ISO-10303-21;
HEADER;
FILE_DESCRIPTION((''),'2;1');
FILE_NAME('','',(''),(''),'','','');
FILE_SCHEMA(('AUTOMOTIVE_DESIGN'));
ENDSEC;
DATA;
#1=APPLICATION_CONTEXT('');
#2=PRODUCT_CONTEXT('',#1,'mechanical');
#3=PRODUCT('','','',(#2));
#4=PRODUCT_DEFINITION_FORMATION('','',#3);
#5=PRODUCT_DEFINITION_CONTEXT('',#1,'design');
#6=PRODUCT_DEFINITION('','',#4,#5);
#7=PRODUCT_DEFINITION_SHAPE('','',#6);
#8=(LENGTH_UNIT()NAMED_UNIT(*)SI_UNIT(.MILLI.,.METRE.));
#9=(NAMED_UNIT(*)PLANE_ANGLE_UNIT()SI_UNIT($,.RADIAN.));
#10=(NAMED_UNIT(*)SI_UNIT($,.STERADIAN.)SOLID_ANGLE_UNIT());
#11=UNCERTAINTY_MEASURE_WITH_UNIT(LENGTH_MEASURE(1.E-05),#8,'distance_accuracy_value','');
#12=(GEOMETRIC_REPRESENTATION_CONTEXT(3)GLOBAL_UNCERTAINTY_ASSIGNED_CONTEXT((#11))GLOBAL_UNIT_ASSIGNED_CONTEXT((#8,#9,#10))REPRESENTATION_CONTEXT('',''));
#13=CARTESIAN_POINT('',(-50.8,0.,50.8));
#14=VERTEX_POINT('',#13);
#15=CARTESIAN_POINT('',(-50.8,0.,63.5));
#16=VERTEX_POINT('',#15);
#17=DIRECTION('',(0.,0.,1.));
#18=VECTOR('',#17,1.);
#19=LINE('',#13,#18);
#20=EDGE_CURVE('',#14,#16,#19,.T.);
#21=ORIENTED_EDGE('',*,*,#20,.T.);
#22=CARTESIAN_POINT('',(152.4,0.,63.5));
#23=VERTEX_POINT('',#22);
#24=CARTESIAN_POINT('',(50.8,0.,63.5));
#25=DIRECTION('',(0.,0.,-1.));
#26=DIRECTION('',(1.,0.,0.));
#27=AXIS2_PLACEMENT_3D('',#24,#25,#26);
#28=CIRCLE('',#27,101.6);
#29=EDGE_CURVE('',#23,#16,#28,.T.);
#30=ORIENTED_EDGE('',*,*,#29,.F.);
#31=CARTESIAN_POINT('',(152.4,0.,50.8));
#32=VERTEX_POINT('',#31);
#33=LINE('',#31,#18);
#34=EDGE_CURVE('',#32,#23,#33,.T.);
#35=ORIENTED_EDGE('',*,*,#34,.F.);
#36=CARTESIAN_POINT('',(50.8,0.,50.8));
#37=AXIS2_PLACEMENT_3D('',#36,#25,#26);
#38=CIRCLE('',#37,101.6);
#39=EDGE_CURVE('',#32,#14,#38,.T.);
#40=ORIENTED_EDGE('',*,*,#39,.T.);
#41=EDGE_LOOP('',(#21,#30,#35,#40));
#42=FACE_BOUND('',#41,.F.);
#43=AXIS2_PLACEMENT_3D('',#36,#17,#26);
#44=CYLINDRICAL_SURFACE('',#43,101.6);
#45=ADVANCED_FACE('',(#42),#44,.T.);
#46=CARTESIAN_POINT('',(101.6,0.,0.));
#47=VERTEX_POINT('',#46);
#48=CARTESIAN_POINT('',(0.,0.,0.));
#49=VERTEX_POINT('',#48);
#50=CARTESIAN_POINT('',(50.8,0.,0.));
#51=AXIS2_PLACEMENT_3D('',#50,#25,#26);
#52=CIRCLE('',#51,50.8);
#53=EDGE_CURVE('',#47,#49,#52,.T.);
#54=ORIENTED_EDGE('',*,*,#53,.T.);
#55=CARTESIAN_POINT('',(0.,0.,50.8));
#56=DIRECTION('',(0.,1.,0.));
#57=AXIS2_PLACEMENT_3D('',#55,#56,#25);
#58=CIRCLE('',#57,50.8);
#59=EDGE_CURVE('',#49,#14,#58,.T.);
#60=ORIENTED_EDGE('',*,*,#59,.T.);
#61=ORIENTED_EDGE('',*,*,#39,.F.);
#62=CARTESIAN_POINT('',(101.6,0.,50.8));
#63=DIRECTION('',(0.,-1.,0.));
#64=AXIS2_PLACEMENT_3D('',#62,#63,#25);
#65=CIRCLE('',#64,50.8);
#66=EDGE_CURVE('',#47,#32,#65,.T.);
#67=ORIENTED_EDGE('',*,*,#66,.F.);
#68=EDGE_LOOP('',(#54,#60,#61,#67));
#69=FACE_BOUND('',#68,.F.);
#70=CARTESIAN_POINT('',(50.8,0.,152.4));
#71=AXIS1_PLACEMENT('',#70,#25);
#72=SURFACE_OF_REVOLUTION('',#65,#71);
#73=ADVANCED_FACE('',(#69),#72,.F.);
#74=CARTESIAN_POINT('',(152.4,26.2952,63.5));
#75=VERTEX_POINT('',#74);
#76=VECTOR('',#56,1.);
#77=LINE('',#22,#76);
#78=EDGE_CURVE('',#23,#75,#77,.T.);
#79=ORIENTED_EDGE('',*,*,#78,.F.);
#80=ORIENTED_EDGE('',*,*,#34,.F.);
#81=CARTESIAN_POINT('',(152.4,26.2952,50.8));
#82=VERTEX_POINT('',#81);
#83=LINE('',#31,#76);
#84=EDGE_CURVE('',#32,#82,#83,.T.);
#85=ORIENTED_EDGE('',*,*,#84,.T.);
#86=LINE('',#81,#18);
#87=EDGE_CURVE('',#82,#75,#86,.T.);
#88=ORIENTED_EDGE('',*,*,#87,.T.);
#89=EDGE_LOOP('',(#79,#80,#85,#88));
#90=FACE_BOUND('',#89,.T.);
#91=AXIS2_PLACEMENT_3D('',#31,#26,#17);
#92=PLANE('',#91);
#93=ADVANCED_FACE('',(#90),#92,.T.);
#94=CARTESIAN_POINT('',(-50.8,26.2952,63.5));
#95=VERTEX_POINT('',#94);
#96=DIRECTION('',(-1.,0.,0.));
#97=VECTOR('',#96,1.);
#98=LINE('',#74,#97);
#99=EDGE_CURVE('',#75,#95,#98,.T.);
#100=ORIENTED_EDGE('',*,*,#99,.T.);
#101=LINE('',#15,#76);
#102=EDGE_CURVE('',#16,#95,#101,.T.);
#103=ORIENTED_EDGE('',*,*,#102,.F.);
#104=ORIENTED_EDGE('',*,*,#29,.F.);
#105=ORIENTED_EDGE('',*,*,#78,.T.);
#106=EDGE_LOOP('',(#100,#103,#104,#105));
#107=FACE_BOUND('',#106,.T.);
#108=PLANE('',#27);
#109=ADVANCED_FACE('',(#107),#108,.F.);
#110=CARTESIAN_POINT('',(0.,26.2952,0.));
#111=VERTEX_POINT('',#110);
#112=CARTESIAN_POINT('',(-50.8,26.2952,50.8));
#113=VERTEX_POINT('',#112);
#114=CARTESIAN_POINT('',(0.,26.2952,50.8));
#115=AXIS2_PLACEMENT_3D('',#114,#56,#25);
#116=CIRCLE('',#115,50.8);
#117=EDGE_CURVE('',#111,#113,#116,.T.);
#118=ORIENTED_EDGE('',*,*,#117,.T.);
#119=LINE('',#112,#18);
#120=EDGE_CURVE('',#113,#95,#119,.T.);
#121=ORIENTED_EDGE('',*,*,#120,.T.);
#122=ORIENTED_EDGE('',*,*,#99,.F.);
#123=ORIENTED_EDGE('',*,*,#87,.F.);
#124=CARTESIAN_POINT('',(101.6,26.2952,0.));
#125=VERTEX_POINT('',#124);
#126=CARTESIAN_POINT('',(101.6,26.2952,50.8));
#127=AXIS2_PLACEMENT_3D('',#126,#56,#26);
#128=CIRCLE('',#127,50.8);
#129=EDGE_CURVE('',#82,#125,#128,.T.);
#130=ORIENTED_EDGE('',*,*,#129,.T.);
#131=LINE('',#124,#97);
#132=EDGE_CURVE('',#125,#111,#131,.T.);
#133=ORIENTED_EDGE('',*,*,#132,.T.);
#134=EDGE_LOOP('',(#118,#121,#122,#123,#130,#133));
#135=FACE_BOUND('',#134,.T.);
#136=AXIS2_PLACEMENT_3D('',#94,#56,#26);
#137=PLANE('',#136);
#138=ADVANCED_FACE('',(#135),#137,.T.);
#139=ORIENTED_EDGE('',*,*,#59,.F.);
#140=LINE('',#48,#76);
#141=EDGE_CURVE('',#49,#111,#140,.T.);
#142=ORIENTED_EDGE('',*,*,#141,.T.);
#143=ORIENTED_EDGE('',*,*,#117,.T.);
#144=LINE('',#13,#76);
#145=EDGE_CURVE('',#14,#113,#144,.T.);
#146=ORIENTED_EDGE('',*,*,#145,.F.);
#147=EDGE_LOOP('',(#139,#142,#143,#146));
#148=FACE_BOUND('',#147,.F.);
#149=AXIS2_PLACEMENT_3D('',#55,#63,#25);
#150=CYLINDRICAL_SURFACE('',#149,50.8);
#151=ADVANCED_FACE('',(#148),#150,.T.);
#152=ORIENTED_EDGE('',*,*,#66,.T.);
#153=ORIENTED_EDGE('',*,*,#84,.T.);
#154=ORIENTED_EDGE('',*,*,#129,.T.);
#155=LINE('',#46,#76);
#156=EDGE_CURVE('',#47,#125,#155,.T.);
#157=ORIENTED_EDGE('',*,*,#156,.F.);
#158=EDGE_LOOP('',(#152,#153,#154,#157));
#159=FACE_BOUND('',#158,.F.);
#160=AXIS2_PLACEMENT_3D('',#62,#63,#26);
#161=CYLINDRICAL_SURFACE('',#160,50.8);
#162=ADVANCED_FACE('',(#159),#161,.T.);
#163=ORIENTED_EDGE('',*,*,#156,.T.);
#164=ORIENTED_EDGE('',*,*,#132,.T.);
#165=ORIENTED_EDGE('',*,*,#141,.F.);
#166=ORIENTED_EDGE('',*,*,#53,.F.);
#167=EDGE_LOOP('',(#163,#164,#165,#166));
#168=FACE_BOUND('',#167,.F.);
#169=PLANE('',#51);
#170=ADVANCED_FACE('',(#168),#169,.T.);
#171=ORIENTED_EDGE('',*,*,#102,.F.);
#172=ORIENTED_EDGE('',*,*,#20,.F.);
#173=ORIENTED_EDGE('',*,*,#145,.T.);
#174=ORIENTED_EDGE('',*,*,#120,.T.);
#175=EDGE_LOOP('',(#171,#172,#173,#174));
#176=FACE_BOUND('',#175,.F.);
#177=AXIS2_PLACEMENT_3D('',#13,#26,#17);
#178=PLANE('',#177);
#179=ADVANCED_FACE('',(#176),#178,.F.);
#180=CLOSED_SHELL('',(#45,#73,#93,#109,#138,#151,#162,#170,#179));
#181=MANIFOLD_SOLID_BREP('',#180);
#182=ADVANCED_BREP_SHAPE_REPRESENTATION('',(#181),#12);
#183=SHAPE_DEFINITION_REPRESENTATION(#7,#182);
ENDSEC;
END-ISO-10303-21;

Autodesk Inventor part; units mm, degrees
ref_plane "YZ Plane" through (0, 0, 0) normal (1, 0, 0) x (0, 1, 0)
ref_plane "Work Plane1" through (152.4, 0, 203.2) normal (0, -1, 0) x (1, 0, 0)
ref_plane "Work Plane2" through (-50.8, 26.2952, 0) normal (0, -1, 0) x (1, 0, 0)
ref_plane "Work Plane4" through (152.4, 0, 101.6) normal (0, -1, 0) x (1, 0, 0)
sketch "Sketch3" plane through (152.4, 0, 101.6) normal (0, -1, 0) x (1, 0, 0)
  arc A0 (0, -25.4) -> (-76.2, 50.8) centre (-76.2, -25.4) ccw
  line L0 (-127, 50.8) -> (-76.2, 50.8)
  arc A1 (0, -25.4) -> (-76.2, 50.8) centre (-76.2, -25.4) ccw
  line L1 (0, -50.8) -> (0, -25.4)
  arc A2 (-50.8, -101.6) -> (0, -50.8) centre (-50.8, -50.8) ccw
  line L2 (-152.4, -101.6) -> (-50.8, -101.6)
  line L3 (-101.6, 50.8) -> (-101.6, -101.6)
  line L4 (-165.1, -38.1) -> (-41.6, -38.1) construction
  line L5 (-103.35, -38.1) -> (0, -38.1)
  point P0 (-101.6, -38.1)
revolve "Revolution2" add sketch "Sketch3" angle 180 about axis through (50.8, 0, 152.4) along (0, 0, -1) contours L1 A2 L2 L3 L5
sketch "Sketch4" plane through (-50.8, 0, 63.5) normal (0, 1, 0) x (1, 0, 0)
  line L0 (203.2, 12.7) -> (203.2, 0) projected
  arc A0 (203.2, 12.7) -> (152.4, 63.5) centre (152.4, 12.7) ccw projected
  line L1 (152.4, 63.5) -> (50.8, 63.5) projected
  arc A1 (50.8, 63.5) -> (0, 12.7) centre (50.8, 12.7) ccw projected
  line L2 (0, 12.7) -> (0, 0) projected
  line L3 (203.2, 0) -> (0, 0) projected
  point P0 (50.8, 63.5)
ref_plane "Work Plane5" through (-50.8, 26.2952, 0) normal (0, -1, 0) x (1, 0, 0)
extrude "Extrusion2" add sketch "Sketch4" along normal up to surface (26.2952 mm away)
properties part number "AvionicsBay" material "Default New Material"
